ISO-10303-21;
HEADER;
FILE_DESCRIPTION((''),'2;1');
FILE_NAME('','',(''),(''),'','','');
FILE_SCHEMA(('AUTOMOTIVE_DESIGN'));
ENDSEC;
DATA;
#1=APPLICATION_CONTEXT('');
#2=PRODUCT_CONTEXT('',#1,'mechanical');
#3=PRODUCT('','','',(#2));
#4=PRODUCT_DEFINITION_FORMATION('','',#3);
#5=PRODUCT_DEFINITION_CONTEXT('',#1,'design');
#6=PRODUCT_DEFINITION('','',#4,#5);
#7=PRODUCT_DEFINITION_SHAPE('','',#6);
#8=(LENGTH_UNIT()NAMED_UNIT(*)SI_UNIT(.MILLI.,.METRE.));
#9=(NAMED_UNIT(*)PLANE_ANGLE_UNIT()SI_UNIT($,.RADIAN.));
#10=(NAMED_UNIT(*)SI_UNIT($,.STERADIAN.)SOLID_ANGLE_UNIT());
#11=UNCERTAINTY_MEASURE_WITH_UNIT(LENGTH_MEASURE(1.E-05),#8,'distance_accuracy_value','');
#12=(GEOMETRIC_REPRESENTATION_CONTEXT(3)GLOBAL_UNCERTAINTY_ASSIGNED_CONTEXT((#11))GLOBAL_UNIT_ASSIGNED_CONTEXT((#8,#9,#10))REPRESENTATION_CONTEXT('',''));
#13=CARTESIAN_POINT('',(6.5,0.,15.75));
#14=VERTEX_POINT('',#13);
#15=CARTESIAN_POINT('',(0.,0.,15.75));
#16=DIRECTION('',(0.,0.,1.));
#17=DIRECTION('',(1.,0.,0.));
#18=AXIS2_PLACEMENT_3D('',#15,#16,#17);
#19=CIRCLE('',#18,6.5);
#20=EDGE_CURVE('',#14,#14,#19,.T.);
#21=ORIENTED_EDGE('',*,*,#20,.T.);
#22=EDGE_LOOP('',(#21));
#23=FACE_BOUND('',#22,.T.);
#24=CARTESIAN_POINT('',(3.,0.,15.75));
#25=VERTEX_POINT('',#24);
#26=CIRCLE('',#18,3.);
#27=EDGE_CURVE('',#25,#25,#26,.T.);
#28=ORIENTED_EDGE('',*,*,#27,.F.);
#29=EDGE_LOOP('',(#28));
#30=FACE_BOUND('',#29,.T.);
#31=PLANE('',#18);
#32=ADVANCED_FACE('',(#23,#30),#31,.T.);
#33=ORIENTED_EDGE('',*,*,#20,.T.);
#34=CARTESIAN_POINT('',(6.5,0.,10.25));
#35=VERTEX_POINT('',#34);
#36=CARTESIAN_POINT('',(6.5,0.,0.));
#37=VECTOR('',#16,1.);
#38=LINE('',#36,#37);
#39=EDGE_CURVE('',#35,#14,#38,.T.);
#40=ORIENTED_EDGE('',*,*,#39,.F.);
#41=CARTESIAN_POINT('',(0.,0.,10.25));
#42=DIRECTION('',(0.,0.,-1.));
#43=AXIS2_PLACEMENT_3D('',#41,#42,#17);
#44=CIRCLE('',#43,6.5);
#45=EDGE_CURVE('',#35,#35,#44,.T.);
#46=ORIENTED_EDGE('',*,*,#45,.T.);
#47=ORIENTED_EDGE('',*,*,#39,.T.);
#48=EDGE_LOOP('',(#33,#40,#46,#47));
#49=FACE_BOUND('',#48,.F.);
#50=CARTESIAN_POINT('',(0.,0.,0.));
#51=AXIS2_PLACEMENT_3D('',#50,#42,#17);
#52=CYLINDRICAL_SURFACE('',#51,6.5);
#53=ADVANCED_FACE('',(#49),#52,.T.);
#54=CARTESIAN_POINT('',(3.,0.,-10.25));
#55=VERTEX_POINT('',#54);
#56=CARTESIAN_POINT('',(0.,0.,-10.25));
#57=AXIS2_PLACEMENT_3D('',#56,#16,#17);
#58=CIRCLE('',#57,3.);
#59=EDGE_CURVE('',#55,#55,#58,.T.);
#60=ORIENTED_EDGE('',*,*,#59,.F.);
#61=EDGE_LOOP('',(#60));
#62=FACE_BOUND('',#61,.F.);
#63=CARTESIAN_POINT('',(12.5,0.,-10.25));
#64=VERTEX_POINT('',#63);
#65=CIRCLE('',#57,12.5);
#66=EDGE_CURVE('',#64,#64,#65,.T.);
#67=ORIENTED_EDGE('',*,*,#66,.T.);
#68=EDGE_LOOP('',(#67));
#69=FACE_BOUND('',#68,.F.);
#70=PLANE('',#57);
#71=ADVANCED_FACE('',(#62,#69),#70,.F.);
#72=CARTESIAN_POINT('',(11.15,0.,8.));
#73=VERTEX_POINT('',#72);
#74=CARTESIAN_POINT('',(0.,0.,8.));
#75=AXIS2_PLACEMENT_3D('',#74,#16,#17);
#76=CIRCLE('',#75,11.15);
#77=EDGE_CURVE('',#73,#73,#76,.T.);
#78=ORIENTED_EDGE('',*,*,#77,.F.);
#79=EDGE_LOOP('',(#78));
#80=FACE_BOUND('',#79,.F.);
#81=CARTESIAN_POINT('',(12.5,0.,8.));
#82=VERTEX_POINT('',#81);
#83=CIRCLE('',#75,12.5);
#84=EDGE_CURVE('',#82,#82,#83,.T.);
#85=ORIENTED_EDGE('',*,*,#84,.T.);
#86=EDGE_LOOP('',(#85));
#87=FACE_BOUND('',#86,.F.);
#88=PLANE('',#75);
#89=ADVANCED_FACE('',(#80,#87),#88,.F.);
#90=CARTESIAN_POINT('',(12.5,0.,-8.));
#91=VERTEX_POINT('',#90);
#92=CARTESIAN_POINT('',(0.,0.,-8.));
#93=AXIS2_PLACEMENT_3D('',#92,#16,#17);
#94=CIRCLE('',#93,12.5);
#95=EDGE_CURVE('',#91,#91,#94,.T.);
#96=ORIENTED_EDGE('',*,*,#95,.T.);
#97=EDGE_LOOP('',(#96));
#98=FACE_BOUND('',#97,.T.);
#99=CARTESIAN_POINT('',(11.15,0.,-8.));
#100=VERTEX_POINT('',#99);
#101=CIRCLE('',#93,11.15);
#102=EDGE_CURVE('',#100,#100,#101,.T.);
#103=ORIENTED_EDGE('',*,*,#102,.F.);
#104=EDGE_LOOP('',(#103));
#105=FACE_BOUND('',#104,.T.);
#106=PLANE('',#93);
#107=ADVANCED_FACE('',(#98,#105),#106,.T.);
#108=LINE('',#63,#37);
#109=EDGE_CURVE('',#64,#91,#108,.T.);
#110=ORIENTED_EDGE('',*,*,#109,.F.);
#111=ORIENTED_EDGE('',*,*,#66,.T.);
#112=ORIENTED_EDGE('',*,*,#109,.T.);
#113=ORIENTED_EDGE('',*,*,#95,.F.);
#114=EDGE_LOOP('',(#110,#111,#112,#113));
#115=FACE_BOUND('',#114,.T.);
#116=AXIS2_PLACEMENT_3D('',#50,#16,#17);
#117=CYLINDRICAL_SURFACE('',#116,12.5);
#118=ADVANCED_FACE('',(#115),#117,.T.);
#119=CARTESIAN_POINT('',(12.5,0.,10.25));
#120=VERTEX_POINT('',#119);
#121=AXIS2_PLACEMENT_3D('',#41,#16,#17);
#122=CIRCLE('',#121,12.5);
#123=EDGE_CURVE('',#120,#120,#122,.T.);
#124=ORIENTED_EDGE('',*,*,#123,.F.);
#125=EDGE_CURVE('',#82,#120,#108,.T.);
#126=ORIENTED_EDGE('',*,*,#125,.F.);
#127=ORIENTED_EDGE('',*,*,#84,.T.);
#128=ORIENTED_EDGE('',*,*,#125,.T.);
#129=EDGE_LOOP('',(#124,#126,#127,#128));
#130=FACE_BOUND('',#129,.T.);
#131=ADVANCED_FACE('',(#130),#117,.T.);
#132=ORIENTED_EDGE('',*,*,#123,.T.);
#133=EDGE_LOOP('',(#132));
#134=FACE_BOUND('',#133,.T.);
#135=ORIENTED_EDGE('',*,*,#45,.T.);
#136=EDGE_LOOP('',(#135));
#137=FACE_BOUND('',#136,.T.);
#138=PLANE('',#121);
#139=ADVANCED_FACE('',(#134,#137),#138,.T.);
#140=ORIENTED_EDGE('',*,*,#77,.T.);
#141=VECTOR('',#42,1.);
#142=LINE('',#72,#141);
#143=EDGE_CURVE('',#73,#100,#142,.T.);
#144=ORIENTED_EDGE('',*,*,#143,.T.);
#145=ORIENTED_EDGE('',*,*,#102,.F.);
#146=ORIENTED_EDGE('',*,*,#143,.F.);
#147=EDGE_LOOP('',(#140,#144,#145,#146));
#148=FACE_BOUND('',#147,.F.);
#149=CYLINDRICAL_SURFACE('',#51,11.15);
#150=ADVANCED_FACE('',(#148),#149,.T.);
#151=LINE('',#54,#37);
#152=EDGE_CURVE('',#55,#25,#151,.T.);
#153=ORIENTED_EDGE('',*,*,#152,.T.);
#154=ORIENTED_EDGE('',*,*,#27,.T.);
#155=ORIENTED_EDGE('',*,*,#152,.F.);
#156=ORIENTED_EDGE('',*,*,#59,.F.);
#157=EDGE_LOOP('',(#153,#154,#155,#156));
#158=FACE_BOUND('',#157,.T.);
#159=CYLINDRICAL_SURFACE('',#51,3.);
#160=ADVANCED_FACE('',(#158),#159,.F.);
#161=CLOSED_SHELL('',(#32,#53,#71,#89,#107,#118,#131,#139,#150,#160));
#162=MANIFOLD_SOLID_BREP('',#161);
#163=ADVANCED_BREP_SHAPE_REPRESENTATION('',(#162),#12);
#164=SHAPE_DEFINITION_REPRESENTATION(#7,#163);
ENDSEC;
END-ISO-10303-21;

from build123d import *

# Parameters (mm, degrees)
F0_R     = 12.5
F0_R_2   = 11.15
F0_R_3   = 6.5
F0_R_4   = 3
F1_DEPTH = 10.25
F2_DEPTH = 8
F3_DEPTH = 15.75


with BuildPart() as f1:
    # F0 (on Top) → F1 (new body, symmetric)
    with BuildSketch(Plane.XY):
        Circle(F0_R)
        Circle(F0_R_2, mode=Mode.SUBTRACT)
        Circle(F0_R_2)
        Circle(F0_R_3, mode=Mode.SUBTRACT)
        Circle(F0_R_3)
        Circle(F0_R_4, mode=Mode.SUBTRACT)
    extrude(amount=F1_DEPTH, both=True)

    # F0 (on Top) → F2 (cut, symmetric)
    with BuildSketch(Plane.XY):
        Circle(F0_R)
        Circle(F0_R_2, mode=Mode.SUBTRACT)
    extrude(amount=F2_DEPTH, both=True, mode=Mode.SUBTRACT)

    # F0 (on Top) → F3 (join)
    with BuildSketch(Plane.XY):
        Circle(F0_R_3)
        Circle(F0_R_4, mode=Mode.SUBTRACT)
    extrude(amount=F3_DEPTH)


solid = f1.part
